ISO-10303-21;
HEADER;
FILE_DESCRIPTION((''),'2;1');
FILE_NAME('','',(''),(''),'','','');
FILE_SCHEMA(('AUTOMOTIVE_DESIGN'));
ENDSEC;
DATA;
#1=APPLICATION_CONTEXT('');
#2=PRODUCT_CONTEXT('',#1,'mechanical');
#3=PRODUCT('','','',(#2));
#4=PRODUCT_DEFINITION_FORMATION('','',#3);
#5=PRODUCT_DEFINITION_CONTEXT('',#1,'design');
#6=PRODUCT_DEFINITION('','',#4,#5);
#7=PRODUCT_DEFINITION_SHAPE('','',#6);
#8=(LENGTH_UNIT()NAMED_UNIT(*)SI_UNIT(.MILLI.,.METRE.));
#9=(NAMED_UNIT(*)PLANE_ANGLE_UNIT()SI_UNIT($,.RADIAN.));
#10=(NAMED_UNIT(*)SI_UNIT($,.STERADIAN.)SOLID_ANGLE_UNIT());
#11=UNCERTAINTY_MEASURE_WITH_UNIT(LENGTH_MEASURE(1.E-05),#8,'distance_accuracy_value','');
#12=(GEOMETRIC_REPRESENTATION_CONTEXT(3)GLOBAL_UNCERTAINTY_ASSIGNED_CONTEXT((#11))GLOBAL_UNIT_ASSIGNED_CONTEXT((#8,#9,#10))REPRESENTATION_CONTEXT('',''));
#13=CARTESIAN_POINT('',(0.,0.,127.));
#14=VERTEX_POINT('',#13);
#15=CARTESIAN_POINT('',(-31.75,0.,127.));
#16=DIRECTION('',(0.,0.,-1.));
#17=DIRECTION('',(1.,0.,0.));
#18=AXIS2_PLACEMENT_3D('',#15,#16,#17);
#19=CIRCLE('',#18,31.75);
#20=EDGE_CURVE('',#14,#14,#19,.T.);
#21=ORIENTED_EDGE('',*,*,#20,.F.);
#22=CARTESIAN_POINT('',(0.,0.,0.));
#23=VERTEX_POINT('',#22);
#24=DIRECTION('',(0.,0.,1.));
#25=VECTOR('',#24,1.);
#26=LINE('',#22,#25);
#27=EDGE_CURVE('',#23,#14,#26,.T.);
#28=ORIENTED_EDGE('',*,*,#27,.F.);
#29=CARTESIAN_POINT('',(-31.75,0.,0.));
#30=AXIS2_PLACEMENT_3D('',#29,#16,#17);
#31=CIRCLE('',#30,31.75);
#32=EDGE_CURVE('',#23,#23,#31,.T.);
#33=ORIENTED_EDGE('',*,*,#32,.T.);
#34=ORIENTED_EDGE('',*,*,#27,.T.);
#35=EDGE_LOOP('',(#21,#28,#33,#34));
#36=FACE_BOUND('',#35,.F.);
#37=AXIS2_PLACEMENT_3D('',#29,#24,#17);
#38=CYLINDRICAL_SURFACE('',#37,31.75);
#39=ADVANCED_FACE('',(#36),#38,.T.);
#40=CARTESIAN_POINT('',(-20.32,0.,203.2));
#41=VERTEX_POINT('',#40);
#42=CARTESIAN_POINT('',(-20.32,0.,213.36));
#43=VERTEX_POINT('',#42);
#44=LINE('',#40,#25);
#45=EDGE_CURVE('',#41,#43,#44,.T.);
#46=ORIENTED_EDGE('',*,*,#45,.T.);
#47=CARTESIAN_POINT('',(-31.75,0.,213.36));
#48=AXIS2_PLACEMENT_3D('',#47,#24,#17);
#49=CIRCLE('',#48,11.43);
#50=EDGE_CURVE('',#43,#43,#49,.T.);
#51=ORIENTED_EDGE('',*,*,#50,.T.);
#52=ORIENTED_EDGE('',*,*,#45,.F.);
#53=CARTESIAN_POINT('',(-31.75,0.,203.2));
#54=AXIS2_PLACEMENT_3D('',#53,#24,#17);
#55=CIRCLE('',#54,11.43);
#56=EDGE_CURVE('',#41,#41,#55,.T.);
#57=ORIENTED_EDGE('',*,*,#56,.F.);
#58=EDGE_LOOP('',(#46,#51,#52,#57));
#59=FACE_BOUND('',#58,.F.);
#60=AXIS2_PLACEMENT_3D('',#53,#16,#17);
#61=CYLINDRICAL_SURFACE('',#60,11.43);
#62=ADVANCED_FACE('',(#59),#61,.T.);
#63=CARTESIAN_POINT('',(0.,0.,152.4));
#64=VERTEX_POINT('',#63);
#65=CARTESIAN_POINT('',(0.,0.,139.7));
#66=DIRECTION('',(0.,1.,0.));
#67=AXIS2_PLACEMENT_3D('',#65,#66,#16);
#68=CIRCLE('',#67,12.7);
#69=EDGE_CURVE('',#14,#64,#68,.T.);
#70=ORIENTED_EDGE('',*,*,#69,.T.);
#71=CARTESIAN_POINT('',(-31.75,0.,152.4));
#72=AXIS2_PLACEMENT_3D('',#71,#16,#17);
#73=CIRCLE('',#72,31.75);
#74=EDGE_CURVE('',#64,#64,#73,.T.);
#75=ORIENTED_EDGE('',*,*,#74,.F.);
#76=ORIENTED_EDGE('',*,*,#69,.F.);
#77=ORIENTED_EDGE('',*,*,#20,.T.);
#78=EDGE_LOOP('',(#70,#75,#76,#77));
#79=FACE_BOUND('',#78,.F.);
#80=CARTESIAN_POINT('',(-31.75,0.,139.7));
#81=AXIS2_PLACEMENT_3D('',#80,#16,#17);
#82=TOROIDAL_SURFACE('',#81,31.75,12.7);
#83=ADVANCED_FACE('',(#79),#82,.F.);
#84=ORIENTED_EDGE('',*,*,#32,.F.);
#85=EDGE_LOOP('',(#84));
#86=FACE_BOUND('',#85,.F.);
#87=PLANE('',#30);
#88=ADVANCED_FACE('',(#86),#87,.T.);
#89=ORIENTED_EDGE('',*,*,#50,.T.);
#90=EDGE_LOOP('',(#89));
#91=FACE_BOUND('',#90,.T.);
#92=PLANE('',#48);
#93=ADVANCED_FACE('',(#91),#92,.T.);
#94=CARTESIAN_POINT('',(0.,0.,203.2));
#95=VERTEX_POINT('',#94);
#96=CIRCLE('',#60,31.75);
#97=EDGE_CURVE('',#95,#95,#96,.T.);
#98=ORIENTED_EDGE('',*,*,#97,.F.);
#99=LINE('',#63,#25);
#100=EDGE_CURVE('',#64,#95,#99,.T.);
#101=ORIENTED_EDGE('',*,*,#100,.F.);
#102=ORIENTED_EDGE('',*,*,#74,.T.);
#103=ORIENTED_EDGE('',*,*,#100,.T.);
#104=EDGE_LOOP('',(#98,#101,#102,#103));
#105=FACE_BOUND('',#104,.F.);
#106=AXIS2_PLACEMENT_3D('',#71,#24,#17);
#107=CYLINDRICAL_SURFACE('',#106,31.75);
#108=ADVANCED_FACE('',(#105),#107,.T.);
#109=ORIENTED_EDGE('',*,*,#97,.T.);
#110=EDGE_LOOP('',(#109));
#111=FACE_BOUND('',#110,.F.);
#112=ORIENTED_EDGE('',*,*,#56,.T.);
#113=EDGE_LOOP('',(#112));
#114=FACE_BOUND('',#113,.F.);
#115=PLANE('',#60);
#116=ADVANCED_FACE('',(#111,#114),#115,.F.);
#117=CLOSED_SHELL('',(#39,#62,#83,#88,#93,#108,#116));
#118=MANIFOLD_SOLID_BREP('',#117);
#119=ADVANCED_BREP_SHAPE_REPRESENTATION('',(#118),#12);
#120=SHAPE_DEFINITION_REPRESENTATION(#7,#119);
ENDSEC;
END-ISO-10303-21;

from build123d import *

# Parameters (mm, degrees)
F2_R     = 11.43
F3_DEPTH = 10.16


with BuildPart() as f1:
    # F0 (on Front) → F1 (revolve)
    with BuildSketch(Plane.XZ):
        with BuildLine():
            Line((-31.75, 0), (0, 0))
            Line((0, 0), (0, 127))
            ThreePointArc((0, 127), (-12.7, 139.7), (0, 152.4))
            Line((0, 152.4), (0, 203.2))
            Line((0, 203.2), (-31.75, 203.2))
            Line((-31.75, 203.2), (-31.75, 0))
        make_face()
    revolve(axis=Axis((-31.75, 0, 101.6), (0, 0, -1)))

    # F2 (on face) → F3 (join)
    with BuildSketch(Plane.XY.offset(203.2)):
        with Locations((-31.75, 0)):
            Circle(F2_R)
    extrude(amount=F3_DEPTH)


solid = f1.part
